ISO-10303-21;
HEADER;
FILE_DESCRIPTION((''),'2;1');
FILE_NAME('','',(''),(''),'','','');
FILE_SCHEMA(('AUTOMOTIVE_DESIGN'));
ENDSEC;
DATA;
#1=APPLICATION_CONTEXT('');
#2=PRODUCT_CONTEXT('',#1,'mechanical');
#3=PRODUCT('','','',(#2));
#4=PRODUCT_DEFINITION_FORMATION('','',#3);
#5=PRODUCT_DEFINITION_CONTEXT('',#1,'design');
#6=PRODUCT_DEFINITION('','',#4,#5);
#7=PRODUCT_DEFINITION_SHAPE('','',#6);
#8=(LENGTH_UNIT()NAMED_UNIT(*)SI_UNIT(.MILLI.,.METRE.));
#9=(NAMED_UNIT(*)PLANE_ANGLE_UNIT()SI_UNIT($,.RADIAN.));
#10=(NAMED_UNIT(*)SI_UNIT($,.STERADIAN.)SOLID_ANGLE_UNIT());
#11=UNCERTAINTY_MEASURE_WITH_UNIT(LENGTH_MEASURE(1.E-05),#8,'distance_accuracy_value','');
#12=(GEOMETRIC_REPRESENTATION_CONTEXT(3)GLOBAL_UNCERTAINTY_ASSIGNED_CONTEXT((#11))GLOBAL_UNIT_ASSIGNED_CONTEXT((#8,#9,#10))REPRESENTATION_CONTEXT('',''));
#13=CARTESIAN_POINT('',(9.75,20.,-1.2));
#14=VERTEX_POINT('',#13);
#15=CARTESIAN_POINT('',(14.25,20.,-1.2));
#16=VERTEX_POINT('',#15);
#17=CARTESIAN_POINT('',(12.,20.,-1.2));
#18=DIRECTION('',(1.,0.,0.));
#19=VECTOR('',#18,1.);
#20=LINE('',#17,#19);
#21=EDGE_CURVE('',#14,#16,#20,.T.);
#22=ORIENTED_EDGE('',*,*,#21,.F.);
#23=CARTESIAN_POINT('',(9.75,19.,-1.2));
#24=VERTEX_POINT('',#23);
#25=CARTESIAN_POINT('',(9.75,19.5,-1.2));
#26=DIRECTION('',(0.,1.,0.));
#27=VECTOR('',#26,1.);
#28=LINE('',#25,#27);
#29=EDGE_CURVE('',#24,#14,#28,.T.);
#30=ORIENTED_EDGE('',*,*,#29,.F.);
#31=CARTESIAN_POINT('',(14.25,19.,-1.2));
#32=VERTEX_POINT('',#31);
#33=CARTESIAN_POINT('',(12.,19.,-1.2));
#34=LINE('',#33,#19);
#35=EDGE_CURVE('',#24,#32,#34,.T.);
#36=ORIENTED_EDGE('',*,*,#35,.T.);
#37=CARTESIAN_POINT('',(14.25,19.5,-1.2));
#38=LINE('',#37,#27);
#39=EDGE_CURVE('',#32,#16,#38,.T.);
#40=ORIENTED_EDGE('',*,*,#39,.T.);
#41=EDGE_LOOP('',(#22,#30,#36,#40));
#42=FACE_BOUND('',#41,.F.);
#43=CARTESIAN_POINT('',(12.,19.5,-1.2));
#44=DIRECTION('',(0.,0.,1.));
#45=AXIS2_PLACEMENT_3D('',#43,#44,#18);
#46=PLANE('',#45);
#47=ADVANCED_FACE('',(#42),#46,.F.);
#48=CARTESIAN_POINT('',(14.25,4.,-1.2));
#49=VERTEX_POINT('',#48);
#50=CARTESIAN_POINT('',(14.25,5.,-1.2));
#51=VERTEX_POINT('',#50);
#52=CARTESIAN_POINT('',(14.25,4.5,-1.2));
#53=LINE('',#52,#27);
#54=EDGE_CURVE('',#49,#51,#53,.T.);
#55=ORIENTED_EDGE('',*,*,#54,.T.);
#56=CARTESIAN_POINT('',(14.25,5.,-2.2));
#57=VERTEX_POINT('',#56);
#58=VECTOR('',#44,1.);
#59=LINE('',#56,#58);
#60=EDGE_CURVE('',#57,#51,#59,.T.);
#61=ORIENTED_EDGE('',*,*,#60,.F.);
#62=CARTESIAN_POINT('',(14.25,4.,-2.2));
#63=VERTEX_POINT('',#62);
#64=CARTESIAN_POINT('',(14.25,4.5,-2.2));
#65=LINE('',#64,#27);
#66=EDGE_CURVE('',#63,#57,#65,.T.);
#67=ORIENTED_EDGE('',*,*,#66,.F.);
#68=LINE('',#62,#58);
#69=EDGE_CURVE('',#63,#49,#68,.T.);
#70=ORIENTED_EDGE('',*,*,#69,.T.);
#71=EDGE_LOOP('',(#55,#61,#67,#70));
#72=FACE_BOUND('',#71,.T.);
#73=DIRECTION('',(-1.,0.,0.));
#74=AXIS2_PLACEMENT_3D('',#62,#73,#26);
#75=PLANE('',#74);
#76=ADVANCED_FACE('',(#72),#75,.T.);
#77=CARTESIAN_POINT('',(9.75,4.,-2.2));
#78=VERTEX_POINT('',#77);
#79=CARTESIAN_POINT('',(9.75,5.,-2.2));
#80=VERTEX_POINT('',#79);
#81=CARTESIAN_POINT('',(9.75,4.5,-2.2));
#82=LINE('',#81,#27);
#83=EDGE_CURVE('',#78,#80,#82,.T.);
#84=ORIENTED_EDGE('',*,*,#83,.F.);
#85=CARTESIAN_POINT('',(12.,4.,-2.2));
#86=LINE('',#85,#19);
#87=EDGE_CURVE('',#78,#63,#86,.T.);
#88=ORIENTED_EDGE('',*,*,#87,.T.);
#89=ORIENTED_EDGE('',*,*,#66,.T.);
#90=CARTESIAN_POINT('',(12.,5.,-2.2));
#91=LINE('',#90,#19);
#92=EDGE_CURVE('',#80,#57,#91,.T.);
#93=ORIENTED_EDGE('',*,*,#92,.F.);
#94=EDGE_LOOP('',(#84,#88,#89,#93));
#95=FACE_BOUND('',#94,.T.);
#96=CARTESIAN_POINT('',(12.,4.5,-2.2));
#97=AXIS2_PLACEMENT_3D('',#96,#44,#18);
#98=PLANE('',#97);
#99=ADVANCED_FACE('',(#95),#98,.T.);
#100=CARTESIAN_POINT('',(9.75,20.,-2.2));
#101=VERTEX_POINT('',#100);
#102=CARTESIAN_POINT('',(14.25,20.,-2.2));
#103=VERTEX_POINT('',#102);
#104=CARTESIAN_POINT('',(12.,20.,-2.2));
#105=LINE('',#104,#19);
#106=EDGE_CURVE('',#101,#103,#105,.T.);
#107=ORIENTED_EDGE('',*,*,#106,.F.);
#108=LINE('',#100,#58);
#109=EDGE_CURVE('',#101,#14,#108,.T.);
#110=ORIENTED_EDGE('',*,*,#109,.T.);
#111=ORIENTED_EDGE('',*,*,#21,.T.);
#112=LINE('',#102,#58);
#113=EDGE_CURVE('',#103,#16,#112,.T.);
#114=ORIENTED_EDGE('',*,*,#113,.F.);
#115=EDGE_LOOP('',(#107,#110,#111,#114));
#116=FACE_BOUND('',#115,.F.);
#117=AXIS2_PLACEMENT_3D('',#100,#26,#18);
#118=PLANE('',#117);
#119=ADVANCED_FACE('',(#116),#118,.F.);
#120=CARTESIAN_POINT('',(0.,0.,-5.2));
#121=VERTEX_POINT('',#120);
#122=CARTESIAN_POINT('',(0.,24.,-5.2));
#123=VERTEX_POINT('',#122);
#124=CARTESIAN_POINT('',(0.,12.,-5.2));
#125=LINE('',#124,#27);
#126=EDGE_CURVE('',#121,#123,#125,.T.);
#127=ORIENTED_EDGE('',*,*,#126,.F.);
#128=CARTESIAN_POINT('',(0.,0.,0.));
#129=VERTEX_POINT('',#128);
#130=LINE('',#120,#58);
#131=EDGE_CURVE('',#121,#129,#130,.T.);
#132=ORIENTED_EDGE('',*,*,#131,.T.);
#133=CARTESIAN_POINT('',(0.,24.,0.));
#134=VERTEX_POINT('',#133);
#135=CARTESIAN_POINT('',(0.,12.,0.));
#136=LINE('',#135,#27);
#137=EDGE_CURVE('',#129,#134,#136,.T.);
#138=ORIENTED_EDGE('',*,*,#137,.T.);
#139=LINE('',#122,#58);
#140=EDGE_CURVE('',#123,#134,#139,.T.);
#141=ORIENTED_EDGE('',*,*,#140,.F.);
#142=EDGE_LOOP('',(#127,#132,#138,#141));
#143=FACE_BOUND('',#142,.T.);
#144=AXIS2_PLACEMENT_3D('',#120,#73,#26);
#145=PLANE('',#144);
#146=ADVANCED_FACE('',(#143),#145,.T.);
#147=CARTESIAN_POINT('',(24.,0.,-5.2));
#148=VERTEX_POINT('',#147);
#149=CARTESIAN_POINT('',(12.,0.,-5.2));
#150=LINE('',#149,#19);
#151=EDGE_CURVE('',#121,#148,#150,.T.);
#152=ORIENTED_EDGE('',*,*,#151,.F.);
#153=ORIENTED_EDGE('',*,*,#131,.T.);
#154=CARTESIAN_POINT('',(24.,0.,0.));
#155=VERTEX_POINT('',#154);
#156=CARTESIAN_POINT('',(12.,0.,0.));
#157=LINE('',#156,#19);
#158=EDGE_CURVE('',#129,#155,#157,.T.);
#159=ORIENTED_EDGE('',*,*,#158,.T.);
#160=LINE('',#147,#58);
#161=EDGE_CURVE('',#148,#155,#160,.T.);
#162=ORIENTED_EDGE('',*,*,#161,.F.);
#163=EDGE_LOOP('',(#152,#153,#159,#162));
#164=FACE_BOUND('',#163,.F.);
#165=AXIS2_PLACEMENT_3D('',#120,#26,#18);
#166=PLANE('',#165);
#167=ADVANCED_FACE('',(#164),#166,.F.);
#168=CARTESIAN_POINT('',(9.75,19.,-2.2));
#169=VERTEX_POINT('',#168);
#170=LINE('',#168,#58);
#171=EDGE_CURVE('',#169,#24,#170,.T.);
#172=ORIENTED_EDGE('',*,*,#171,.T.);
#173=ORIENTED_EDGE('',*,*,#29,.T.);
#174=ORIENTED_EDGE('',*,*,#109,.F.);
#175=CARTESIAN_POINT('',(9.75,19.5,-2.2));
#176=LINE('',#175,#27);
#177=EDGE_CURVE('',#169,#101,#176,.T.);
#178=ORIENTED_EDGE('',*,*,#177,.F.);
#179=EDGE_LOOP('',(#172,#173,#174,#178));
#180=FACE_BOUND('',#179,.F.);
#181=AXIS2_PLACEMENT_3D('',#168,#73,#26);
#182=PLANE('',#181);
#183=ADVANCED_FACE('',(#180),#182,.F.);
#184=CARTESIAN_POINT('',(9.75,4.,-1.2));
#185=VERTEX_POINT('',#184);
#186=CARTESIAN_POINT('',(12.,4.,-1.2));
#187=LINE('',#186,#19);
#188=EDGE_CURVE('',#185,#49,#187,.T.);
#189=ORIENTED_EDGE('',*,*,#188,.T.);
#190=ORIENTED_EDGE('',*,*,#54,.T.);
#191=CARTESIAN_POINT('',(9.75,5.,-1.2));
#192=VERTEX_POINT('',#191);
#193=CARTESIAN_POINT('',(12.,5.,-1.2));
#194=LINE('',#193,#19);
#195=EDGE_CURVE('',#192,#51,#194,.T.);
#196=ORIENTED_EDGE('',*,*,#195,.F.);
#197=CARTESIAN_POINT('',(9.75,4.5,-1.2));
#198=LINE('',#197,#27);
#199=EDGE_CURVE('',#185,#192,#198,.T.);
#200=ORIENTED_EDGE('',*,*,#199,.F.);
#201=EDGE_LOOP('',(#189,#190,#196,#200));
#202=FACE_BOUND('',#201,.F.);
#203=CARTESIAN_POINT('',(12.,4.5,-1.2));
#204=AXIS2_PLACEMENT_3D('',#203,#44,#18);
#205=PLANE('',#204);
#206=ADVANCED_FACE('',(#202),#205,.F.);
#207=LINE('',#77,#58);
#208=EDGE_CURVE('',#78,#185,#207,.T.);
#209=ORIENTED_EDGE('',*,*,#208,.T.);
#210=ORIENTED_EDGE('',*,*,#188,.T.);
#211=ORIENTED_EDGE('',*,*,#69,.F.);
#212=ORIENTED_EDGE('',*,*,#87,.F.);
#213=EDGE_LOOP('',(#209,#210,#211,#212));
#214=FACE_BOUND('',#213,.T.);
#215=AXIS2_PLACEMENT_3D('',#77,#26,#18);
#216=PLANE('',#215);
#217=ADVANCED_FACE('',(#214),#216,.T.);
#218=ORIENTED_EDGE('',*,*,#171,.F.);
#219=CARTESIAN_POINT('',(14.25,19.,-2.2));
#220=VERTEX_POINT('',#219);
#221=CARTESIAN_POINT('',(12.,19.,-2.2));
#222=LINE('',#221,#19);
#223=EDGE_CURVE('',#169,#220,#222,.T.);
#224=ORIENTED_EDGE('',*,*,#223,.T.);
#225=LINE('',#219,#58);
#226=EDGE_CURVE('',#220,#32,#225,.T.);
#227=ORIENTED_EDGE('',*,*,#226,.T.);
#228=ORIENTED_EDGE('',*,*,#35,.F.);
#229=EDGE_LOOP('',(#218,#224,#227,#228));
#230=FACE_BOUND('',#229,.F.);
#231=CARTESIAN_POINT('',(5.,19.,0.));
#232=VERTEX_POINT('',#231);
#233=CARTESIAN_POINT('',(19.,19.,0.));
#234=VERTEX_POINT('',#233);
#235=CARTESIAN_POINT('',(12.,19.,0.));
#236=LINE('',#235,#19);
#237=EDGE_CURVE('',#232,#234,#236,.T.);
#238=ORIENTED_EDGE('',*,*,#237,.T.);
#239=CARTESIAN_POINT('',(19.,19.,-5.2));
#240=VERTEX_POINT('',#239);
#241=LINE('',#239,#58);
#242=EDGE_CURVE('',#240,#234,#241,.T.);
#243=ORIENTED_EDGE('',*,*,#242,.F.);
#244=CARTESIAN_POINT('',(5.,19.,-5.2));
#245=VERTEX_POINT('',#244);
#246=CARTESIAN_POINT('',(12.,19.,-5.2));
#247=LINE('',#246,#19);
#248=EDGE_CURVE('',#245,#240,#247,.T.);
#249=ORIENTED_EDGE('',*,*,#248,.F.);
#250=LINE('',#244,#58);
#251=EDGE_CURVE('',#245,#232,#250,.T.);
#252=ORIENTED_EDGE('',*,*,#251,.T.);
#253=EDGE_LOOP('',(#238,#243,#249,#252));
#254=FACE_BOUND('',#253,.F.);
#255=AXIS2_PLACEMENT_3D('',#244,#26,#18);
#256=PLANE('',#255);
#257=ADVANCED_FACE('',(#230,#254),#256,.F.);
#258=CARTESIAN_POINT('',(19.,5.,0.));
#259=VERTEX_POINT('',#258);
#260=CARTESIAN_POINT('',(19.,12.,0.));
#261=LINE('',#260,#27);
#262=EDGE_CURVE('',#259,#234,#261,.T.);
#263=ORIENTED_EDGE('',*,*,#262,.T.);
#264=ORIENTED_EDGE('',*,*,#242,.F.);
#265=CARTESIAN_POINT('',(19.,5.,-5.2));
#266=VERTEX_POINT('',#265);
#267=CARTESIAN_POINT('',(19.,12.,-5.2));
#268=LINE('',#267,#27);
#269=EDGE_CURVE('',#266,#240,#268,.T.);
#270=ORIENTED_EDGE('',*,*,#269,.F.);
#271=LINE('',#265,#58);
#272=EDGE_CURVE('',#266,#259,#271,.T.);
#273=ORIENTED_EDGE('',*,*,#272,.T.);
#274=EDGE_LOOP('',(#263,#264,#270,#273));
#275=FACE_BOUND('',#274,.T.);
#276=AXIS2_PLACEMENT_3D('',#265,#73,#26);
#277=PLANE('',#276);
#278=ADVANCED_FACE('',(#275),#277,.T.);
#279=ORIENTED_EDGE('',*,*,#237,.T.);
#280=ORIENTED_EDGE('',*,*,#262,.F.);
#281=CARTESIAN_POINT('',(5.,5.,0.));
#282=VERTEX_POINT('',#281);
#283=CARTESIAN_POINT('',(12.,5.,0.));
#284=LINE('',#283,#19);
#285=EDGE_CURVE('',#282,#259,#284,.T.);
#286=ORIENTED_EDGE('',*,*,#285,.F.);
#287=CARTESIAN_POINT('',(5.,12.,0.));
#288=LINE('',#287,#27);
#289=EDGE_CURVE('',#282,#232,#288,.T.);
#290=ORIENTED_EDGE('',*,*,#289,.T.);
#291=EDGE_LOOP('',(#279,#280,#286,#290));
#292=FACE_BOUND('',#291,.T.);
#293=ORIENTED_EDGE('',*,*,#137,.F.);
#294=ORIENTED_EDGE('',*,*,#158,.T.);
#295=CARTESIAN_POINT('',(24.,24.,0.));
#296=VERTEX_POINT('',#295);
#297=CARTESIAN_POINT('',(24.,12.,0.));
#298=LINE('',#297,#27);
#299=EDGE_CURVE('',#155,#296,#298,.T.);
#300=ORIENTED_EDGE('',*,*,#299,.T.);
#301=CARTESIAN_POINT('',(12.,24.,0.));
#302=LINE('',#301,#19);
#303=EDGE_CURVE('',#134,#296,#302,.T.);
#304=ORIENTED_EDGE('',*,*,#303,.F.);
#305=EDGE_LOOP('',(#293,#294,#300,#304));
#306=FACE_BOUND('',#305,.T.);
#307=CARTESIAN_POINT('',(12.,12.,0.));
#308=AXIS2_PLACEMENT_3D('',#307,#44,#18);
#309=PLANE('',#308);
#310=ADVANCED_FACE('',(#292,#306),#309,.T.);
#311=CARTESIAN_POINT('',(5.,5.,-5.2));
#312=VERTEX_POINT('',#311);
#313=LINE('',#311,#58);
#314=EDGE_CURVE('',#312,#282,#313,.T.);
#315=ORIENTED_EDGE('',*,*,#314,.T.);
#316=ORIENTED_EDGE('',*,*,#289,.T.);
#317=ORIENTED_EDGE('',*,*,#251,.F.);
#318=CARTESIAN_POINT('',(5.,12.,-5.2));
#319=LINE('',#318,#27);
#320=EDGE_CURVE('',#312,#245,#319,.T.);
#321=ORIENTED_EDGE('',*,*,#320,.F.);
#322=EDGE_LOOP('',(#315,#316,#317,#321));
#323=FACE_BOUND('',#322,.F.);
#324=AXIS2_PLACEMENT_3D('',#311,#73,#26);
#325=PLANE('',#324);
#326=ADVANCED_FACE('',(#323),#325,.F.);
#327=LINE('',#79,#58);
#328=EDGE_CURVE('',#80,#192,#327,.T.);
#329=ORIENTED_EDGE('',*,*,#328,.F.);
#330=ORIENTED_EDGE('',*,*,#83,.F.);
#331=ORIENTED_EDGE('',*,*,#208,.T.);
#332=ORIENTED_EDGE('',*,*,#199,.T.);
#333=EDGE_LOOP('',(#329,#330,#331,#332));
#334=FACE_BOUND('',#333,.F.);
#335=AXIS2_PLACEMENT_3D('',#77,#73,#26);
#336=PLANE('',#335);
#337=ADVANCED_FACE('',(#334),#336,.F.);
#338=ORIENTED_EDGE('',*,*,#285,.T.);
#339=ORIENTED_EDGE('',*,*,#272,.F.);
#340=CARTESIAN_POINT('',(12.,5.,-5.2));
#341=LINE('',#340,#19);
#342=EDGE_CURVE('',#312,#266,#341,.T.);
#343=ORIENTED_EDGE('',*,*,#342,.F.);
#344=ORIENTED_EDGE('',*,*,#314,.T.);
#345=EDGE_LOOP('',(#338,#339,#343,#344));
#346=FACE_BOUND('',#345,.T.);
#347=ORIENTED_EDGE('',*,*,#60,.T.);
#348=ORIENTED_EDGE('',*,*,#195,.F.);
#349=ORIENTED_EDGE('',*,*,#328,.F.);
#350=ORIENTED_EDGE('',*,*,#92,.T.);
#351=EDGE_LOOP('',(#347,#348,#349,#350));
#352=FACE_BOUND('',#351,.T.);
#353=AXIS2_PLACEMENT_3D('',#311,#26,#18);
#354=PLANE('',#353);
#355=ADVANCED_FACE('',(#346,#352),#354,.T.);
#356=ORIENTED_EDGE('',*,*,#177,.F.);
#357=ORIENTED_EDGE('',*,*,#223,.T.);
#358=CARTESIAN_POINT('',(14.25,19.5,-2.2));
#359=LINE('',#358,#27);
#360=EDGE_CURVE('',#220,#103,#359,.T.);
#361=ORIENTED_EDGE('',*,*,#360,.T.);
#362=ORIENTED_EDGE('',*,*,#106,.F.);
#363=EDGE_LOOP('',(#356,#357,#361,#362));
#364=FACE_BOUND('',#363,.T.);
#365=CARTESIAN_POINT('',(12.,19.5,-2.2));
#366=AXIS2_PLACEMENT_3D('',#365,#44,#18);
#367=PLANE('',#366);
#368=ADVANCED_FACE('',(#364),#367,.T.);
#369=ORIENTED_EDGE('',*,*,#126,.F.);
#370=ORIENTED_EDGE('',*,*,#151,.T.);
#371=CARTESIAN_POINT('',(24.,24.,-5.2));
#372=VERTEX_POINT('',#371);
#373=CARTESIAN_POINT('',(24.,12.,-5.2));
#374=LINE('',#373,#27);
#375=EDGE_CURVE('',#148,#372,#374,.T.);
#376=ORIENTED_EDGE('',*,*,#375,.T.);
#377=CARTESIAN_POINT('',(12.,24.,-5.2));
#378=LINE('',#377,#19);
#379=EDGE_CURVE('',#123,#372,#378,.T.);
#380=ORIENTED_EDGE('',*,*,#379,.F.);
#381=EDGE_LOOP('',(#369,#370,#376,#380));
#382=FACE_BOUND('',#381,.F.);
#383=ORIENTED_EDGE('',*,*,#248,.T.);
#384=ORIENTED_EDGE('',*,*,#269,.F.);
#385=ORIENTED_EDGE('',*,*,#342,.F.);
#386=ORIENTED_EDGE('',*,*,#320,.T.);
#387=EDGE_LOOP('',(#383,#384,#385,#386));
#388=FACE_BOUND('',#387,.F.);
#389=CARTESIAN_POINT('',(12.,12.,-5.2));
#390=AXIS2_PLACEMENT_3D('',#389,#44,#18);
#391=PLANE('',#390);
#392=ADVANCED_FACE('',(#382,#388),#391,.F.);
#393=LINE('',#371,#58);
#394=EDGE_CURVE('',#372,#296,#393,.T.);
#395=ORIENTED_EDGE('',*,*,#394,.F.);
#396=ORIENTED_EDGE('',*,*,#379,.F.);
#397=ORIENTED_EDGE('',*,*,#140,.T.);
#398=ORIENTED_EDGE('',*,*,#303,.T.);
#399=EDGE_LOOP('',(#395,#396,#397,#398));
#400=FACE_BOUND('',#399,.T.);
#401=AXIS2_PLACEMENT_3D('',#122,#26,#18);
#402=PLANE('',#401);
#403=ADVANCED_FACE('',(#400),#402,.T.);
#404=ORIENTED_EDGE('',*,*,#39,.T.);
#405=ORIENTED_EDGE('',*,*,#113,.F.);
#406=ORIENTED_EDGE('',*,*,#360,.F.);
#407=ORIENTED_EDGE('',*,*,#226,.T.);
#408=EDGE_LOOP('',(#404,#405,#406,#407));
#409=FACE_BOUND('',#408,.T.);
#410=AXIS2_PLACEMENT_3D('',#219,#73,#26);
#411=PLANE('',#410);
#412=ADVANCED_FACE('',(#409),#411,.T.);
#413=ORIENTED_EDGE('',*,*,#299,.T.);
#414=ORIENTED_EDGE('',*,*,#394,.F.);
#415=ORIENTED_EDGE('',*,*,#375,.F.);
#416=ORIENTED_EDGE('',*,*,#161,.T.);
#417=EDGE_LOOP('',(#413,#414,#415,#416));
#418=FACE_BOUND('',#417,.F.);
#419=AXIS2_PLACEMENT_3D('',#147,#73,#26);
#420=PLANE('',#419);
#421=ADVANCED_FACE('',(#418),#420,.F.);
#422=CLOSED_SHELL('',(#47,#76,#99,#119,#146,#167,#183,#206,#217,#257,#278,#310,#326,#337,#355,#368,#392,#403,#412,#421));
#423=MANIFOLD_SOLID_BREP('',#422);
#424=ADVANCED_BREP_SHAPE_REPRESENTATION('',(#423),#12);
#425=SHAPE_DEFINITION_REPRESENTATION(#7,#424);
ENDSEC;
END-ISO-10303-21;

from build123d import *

# Parameters (mm, degrees)
BOX021_W     = 4.5
BOX021_H     = 1
BOX021_DEPTH = 1
BOX020_W     = 4.5
BOX020_H     = 1
BOX020_DEPTH = 1
BOX019_W     = 14
BOX019_H     = 14
BOX019_DEPTH = 5.2
BOX018_W     = 24
BOX018_H     = 24
BOX018_DEPTH = 5.2


with BuildPart() as slot_top001:
    # Box021 → Box021 (new body)
    with BuildSketch(Plane(origin=(9.75, 19, -2.2), x_dir=(1, 0, 0), z_dir=(0, 0, 1))):
        with Locations((2.25, 0.5)):
            Rectangle(BOX021_W, BOX021_H)
    extrude(amount=BOX021_DEPTH)


with BuildPart() as slot_bottom001:
    # Box020 → Box020 (new body)
    with BuildSketch(Plane(origin=(9.75, 4, -2.2), x_dir=(1, 0, 0), z_dir=(0, 0, 1))):
        with Locations((2.25, 0.5)):
            Rectangle(BOX020_W, BOX020_H)
    extrude(amount=BOX020_DEPTH)


with BuildPart() as cutout001:
    # Box019 → Box019 (new body)
    with BuildSketch(Plane(origin=(5, 5, 0), x_dir=(1, 0, 0), z_dir=(0, 0, 1))):
        with Locations((7, 7)):
            Rectangle(BOX019_W, BOX019_H)
    extrude(amount=BOX019_DEPTH)


with BuildPart() as cut009:
    # Box018 → Box018 (new body)
    with BuildSketch(Plane.XY):
        with Locations((12, 12)):
            Rectangle(BOX018_W, BOX018_H)
    extrude(amount=BOX018_DEPTH)

    # Cut007: cut CutOut001
    add(cutout001.part, mode=Mode.SUBTRACT)


with BuildPart() as cut009_1:
    # Cut007 placement: moved
    add(cut009.part.moved(Location((0, 0, -5.2))))

    # Cut008: cut slot_bottom001
    add(slot_bottom001.part, mode=Mode.SUBTRACT)

    # Cut009: cut slot_top001
    add(slot_top001.part, mode=Mode.SUBTRACT)


solid = cut009_1.part
